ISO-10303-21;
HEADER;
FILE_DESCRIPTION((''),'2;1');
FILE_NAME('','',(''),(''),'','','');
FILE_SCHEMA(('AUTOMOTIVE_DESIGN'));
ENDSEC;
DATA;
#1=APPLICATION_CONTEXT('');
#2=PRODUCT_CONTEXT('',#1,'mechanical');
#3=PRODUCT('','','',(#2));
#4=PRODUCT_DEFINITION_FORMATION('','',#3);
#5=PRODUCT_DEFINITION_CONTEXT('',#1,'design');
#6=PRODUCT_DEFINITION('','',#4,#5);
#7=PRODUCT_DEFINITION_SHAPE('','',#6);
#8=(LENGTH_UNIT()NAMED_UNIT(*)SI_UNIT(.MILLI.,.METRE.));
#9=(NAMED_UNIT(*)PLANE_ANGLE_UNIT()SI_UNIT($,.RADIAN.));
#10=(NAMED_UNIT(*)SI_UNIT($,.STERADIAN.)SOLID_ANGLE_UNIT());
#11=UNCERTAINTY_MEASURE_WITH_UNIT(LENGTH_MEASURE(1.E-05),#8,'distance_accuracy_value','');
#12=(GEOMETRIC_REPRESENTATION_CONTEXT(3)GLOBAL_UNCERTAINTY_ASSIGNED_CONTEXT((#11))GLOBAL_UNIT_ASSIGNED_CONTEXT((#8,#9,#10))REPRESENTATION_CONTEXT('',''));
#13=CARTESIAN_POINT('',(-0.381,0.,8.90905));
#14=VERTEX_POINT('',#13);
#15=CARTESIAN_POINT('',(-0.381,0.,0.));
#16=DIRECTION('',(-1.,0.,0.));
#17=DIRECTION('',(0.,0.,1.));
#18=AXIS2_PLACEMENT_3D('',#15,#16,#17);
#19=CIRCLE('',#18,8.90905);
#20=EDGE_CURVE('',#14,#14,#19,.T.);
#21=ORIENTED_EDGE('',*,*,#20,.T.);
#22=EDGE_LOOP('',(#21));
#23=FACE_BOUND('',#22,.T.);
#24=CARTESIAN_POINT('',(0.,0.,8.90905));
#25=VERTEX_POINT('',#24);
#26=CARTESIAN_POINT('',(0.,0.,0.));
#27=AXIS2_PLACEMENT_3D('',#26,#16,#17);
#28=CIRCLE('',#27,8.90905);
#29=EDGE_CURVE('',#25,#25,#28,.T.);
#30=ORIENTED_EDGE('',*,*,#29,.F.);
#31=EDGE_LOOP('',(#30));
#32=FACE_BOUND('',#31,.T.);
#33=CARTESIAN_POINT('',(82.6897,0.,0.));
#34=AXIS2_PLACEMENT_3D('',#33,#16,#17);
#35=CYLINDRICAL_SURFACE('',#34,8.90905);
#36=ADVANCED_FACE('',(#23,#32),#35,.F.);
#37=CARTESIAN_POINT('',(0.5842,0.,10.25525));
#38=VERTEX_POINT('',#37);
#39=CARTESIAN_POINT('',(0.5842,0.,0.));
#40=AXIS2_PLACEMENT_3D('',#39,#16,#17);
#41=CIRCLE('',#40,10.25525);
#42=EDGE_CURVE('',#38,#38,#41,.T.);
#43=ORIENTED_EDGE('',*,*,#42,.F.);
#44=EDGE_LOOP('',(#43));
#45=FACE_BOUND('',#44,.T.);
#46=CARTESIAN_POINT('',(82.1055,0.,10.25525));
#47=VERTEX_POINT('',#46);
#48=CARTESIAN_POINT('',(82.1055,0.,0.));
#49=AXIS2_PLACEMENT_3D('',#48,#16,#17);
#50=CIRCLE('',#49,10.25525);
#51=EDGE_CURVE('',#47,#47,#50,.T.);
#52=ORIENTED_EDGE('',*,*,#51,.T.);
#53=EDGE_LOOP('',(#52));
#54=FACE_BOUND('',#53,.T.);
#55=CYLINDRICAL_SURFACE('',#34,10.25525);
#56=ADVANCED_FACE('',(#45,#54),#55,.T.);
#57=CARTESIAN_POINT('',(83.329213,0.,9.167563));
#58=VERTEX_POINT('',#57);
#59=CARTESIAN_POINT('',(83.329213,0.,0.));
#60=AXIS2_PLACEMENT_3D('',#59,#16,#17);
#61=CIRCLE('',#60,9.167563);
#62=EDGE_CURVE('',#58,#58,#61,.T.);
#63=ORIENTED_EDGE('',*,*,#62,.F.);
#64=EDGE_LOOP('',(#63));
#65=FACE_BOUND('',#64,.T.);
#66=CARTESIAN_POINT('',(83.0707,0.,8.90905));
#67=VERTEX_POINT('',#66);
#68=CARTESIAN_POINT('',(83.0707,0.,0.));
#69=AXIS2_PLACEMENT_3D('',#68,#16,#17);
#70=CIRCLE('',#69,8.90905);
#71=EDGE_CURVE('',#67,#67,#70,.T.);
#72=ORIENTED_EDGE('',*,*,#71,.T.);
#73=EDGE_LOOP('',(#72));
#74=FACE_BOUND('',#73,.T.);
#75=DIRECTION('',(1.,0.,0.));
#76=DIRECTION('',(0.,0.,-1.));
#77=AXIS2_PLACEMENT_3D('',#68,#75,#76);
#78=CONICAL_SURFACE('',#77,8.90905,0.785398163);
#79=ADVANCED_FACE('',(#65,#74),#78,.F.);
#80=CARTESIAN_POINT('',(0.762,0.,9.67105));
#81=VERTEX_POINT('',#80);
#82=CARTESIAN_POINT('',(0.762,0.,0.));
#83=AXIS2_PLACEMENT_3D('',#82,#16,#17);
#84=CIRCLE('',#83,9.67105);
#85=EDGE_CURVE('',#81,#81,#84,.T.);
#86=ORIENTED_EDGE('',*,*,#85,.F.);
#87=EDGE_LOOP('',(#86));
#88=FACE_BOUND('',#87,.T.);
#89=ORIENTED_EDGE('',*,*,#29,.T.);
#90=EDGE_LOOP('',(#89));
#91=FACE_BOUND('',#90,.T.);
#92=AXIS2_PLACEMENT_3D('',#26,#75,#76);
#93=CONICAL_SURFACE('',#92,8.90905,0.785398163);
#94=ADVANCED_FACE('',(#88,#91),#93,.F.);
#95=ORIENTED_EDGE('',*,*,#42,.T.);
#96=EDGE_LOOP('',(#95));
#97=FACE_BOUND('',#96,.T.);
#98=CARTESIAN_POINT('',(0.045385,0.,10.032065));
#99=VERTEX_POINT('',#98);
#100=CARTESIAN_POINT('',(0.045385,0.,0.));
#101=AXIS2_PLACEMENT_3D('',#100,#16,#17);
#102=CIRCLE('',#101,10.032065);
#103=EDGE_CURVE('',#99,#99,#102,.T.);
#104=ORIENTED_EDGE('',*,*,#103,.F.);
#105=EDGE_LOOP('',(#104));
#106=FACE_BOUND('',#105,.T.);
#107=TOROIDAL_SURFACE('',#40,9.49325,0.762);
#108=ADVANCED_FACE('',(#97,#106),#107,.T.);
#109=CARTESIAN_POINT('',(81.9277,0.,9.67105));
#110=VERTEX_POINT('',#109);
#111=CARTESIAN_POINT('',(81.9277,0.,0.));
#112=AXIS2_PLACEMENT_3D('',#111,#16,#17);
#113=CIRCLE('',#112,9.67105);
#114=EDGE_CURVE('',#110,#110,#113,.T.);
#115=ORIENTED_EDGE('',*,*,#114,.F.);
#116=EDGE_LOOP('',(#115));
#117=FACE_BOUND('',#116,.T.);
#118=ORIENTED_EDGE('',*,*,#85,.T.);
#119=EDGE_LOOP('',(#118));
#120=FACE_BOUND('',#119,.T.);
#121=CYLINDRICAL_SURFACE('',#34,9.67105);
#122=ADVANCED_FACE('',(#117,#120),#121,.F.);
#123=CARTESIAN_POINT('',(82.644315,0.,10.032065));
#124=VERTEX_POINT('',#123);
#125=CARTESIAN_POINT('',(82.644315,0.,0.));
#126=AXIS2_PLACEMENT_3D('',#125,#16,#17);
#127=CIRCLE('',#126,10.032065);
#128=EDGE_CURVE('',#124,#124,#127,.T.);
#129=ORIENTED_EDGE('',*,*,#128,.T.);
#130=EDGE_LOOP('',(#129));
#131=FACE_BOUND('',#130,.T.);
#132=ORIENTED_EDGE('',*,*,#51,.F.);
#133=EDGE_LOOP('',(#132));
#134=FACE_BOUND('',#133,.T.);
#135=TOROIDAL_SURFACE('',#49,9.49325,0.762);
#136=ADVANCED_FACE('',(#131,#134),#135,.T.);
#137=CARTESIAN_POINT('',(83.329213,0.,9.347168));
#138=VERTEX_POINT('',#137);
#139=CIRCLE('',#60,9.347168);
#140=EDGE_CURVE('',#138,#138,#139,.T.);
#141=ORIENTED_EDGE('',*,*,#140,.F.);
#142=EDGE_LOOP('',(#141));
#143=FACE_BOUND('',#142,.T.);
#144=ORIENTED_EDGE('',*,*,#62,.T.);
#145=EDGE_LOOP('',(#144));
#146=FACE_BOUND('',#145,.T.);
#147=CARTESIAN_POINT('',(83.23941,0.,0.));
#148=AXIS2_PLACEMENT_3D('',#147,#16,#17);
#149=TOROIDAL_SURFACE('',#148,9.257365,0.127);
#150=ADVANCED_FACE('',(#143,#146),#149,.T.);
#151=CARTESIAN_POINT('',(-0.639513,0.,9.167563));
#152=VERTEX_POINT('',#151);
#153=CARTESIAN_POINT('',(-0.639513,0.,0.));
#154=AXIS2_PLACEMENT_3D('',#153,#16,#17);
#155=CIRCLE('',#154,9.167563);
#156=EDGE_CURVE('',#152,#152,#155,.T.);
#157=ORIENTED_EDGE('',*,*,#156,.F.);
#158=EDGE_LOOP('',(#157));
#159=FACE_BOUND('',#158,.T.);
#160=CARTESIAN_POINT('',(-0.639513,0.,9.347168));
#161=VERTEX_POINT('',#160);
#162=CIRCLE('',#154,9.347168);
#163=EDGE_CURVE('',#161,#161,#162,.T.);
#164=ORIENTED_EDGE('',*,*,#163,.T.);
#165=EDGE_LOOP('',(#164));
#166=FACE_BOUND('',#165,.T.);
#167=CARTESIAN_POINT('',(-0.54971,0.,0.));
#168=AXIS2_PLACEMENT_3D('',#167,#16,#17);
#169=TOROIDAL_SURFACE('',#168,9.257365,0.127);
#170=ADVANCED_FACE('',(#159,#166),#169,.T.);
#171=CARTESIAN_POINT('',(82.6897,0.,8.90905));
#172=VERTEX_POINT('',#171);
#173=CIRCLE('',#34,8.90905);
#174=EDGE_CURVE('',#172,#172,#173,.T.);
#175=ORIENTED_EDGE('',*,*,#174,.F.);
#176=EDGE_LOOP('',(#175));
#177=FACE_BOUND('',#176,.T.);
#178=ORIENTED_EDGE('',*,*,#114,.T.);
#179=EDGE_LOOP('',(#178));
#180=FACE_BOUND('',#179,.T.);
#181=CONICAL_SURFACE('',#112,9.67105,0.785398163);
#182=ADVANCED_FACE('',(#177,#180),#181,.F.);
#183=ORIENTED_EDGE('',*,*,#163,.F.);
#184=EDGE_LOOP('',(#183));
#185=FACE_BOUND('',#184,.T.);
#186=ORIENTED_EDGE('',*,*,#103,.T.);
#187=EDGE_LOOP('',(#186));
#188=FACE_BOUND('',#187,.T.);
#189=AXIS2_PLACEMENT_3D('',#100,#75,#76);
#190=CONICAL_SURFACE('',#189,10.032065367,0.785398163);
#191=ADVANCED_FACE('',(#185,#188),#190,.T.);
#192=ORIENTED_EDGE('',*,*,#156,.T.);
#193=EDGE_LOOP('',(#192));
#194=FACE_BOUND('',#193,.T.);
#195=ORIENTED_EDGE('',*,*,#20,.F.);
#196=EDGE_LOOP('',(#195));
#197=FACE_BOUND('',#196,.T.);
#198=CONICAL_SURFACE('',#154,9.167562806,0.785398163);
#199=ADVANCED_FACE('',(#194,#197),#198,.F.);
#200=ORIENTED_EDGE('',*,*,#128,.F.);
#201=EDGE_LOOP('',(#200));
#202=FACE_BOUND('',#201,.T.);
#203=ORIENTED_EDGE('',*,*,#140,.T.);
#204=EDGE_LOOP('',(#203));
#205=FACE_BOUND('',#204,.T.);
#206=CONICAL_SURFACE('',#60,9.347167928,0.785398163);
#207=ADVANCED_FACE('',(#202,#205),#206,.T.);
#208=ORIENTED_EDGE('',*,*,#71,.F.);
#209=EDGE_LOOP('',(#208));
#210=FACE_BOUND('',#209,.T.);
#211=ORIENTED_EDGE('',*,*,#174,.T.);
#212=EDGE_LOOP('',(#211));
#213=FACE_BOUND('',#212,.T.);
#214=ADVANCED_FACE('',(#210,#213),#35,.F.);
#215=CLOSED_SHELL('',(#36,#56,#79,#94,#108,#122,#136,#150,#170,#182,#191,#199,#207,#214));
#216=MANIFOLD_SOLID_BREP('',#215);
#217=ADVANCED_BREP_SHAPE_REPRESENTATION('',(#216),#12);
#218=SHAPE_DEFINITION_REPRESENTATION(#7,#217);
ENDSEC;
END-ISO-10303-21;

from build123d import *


with BuildPart() as part:
    # Sketch1 → Revolve1 (revolve)
    with BuildSketch(Plane.XY):
        with BuildLine():
            Line((-0.639512806, 9.167562806), (-0.381, 8.90905))
            Line((-0.381, 8.90905), (0, 8.90905))
            Line((0, 8.90905), (0.762, 9.67105))
            Line((0.762, 9.67105), (81.9277, 9.67105))
            Line((81.9277, 9.67105), (82.6897, 8.90905))
            Line((82.6897, 8.90905), (83.0707, 8.90905))
            Line((83.0707, 8.90905), (83.329212806, 9.167562806))
            ThreePointArc((83.329212806, 9.167562806), (83.366410245, 9.257365367), (83.329212806, 9.347167928))
            Line((83.329212806, 9.347167928), (82.644315367, 10.032065367))
            ThreePointArc((82.644315367, 10.032065367), (82.397104775, 10.197246204), (82.1055, 10.25525))
            Line((82.1055, 10.25525), (0.5842, 10.25525))
            ThreePointArc((0.5842, 10.25525), (0.292595225, 10.197246204), (0.045384633, 10.032065367))
            Line((0.045384633, 10.032065367), (-0.639512806, 9.347167928))
            ThreePointArc((-0.639512806, 9.347167928), (-0.676710245, 9.257365367), (-0.639512806, 9.167562806))
        make_face()
    revolve(axis=Axis((82.6897, 0, 0), (-1, 0, 0)))


solid = part.part
